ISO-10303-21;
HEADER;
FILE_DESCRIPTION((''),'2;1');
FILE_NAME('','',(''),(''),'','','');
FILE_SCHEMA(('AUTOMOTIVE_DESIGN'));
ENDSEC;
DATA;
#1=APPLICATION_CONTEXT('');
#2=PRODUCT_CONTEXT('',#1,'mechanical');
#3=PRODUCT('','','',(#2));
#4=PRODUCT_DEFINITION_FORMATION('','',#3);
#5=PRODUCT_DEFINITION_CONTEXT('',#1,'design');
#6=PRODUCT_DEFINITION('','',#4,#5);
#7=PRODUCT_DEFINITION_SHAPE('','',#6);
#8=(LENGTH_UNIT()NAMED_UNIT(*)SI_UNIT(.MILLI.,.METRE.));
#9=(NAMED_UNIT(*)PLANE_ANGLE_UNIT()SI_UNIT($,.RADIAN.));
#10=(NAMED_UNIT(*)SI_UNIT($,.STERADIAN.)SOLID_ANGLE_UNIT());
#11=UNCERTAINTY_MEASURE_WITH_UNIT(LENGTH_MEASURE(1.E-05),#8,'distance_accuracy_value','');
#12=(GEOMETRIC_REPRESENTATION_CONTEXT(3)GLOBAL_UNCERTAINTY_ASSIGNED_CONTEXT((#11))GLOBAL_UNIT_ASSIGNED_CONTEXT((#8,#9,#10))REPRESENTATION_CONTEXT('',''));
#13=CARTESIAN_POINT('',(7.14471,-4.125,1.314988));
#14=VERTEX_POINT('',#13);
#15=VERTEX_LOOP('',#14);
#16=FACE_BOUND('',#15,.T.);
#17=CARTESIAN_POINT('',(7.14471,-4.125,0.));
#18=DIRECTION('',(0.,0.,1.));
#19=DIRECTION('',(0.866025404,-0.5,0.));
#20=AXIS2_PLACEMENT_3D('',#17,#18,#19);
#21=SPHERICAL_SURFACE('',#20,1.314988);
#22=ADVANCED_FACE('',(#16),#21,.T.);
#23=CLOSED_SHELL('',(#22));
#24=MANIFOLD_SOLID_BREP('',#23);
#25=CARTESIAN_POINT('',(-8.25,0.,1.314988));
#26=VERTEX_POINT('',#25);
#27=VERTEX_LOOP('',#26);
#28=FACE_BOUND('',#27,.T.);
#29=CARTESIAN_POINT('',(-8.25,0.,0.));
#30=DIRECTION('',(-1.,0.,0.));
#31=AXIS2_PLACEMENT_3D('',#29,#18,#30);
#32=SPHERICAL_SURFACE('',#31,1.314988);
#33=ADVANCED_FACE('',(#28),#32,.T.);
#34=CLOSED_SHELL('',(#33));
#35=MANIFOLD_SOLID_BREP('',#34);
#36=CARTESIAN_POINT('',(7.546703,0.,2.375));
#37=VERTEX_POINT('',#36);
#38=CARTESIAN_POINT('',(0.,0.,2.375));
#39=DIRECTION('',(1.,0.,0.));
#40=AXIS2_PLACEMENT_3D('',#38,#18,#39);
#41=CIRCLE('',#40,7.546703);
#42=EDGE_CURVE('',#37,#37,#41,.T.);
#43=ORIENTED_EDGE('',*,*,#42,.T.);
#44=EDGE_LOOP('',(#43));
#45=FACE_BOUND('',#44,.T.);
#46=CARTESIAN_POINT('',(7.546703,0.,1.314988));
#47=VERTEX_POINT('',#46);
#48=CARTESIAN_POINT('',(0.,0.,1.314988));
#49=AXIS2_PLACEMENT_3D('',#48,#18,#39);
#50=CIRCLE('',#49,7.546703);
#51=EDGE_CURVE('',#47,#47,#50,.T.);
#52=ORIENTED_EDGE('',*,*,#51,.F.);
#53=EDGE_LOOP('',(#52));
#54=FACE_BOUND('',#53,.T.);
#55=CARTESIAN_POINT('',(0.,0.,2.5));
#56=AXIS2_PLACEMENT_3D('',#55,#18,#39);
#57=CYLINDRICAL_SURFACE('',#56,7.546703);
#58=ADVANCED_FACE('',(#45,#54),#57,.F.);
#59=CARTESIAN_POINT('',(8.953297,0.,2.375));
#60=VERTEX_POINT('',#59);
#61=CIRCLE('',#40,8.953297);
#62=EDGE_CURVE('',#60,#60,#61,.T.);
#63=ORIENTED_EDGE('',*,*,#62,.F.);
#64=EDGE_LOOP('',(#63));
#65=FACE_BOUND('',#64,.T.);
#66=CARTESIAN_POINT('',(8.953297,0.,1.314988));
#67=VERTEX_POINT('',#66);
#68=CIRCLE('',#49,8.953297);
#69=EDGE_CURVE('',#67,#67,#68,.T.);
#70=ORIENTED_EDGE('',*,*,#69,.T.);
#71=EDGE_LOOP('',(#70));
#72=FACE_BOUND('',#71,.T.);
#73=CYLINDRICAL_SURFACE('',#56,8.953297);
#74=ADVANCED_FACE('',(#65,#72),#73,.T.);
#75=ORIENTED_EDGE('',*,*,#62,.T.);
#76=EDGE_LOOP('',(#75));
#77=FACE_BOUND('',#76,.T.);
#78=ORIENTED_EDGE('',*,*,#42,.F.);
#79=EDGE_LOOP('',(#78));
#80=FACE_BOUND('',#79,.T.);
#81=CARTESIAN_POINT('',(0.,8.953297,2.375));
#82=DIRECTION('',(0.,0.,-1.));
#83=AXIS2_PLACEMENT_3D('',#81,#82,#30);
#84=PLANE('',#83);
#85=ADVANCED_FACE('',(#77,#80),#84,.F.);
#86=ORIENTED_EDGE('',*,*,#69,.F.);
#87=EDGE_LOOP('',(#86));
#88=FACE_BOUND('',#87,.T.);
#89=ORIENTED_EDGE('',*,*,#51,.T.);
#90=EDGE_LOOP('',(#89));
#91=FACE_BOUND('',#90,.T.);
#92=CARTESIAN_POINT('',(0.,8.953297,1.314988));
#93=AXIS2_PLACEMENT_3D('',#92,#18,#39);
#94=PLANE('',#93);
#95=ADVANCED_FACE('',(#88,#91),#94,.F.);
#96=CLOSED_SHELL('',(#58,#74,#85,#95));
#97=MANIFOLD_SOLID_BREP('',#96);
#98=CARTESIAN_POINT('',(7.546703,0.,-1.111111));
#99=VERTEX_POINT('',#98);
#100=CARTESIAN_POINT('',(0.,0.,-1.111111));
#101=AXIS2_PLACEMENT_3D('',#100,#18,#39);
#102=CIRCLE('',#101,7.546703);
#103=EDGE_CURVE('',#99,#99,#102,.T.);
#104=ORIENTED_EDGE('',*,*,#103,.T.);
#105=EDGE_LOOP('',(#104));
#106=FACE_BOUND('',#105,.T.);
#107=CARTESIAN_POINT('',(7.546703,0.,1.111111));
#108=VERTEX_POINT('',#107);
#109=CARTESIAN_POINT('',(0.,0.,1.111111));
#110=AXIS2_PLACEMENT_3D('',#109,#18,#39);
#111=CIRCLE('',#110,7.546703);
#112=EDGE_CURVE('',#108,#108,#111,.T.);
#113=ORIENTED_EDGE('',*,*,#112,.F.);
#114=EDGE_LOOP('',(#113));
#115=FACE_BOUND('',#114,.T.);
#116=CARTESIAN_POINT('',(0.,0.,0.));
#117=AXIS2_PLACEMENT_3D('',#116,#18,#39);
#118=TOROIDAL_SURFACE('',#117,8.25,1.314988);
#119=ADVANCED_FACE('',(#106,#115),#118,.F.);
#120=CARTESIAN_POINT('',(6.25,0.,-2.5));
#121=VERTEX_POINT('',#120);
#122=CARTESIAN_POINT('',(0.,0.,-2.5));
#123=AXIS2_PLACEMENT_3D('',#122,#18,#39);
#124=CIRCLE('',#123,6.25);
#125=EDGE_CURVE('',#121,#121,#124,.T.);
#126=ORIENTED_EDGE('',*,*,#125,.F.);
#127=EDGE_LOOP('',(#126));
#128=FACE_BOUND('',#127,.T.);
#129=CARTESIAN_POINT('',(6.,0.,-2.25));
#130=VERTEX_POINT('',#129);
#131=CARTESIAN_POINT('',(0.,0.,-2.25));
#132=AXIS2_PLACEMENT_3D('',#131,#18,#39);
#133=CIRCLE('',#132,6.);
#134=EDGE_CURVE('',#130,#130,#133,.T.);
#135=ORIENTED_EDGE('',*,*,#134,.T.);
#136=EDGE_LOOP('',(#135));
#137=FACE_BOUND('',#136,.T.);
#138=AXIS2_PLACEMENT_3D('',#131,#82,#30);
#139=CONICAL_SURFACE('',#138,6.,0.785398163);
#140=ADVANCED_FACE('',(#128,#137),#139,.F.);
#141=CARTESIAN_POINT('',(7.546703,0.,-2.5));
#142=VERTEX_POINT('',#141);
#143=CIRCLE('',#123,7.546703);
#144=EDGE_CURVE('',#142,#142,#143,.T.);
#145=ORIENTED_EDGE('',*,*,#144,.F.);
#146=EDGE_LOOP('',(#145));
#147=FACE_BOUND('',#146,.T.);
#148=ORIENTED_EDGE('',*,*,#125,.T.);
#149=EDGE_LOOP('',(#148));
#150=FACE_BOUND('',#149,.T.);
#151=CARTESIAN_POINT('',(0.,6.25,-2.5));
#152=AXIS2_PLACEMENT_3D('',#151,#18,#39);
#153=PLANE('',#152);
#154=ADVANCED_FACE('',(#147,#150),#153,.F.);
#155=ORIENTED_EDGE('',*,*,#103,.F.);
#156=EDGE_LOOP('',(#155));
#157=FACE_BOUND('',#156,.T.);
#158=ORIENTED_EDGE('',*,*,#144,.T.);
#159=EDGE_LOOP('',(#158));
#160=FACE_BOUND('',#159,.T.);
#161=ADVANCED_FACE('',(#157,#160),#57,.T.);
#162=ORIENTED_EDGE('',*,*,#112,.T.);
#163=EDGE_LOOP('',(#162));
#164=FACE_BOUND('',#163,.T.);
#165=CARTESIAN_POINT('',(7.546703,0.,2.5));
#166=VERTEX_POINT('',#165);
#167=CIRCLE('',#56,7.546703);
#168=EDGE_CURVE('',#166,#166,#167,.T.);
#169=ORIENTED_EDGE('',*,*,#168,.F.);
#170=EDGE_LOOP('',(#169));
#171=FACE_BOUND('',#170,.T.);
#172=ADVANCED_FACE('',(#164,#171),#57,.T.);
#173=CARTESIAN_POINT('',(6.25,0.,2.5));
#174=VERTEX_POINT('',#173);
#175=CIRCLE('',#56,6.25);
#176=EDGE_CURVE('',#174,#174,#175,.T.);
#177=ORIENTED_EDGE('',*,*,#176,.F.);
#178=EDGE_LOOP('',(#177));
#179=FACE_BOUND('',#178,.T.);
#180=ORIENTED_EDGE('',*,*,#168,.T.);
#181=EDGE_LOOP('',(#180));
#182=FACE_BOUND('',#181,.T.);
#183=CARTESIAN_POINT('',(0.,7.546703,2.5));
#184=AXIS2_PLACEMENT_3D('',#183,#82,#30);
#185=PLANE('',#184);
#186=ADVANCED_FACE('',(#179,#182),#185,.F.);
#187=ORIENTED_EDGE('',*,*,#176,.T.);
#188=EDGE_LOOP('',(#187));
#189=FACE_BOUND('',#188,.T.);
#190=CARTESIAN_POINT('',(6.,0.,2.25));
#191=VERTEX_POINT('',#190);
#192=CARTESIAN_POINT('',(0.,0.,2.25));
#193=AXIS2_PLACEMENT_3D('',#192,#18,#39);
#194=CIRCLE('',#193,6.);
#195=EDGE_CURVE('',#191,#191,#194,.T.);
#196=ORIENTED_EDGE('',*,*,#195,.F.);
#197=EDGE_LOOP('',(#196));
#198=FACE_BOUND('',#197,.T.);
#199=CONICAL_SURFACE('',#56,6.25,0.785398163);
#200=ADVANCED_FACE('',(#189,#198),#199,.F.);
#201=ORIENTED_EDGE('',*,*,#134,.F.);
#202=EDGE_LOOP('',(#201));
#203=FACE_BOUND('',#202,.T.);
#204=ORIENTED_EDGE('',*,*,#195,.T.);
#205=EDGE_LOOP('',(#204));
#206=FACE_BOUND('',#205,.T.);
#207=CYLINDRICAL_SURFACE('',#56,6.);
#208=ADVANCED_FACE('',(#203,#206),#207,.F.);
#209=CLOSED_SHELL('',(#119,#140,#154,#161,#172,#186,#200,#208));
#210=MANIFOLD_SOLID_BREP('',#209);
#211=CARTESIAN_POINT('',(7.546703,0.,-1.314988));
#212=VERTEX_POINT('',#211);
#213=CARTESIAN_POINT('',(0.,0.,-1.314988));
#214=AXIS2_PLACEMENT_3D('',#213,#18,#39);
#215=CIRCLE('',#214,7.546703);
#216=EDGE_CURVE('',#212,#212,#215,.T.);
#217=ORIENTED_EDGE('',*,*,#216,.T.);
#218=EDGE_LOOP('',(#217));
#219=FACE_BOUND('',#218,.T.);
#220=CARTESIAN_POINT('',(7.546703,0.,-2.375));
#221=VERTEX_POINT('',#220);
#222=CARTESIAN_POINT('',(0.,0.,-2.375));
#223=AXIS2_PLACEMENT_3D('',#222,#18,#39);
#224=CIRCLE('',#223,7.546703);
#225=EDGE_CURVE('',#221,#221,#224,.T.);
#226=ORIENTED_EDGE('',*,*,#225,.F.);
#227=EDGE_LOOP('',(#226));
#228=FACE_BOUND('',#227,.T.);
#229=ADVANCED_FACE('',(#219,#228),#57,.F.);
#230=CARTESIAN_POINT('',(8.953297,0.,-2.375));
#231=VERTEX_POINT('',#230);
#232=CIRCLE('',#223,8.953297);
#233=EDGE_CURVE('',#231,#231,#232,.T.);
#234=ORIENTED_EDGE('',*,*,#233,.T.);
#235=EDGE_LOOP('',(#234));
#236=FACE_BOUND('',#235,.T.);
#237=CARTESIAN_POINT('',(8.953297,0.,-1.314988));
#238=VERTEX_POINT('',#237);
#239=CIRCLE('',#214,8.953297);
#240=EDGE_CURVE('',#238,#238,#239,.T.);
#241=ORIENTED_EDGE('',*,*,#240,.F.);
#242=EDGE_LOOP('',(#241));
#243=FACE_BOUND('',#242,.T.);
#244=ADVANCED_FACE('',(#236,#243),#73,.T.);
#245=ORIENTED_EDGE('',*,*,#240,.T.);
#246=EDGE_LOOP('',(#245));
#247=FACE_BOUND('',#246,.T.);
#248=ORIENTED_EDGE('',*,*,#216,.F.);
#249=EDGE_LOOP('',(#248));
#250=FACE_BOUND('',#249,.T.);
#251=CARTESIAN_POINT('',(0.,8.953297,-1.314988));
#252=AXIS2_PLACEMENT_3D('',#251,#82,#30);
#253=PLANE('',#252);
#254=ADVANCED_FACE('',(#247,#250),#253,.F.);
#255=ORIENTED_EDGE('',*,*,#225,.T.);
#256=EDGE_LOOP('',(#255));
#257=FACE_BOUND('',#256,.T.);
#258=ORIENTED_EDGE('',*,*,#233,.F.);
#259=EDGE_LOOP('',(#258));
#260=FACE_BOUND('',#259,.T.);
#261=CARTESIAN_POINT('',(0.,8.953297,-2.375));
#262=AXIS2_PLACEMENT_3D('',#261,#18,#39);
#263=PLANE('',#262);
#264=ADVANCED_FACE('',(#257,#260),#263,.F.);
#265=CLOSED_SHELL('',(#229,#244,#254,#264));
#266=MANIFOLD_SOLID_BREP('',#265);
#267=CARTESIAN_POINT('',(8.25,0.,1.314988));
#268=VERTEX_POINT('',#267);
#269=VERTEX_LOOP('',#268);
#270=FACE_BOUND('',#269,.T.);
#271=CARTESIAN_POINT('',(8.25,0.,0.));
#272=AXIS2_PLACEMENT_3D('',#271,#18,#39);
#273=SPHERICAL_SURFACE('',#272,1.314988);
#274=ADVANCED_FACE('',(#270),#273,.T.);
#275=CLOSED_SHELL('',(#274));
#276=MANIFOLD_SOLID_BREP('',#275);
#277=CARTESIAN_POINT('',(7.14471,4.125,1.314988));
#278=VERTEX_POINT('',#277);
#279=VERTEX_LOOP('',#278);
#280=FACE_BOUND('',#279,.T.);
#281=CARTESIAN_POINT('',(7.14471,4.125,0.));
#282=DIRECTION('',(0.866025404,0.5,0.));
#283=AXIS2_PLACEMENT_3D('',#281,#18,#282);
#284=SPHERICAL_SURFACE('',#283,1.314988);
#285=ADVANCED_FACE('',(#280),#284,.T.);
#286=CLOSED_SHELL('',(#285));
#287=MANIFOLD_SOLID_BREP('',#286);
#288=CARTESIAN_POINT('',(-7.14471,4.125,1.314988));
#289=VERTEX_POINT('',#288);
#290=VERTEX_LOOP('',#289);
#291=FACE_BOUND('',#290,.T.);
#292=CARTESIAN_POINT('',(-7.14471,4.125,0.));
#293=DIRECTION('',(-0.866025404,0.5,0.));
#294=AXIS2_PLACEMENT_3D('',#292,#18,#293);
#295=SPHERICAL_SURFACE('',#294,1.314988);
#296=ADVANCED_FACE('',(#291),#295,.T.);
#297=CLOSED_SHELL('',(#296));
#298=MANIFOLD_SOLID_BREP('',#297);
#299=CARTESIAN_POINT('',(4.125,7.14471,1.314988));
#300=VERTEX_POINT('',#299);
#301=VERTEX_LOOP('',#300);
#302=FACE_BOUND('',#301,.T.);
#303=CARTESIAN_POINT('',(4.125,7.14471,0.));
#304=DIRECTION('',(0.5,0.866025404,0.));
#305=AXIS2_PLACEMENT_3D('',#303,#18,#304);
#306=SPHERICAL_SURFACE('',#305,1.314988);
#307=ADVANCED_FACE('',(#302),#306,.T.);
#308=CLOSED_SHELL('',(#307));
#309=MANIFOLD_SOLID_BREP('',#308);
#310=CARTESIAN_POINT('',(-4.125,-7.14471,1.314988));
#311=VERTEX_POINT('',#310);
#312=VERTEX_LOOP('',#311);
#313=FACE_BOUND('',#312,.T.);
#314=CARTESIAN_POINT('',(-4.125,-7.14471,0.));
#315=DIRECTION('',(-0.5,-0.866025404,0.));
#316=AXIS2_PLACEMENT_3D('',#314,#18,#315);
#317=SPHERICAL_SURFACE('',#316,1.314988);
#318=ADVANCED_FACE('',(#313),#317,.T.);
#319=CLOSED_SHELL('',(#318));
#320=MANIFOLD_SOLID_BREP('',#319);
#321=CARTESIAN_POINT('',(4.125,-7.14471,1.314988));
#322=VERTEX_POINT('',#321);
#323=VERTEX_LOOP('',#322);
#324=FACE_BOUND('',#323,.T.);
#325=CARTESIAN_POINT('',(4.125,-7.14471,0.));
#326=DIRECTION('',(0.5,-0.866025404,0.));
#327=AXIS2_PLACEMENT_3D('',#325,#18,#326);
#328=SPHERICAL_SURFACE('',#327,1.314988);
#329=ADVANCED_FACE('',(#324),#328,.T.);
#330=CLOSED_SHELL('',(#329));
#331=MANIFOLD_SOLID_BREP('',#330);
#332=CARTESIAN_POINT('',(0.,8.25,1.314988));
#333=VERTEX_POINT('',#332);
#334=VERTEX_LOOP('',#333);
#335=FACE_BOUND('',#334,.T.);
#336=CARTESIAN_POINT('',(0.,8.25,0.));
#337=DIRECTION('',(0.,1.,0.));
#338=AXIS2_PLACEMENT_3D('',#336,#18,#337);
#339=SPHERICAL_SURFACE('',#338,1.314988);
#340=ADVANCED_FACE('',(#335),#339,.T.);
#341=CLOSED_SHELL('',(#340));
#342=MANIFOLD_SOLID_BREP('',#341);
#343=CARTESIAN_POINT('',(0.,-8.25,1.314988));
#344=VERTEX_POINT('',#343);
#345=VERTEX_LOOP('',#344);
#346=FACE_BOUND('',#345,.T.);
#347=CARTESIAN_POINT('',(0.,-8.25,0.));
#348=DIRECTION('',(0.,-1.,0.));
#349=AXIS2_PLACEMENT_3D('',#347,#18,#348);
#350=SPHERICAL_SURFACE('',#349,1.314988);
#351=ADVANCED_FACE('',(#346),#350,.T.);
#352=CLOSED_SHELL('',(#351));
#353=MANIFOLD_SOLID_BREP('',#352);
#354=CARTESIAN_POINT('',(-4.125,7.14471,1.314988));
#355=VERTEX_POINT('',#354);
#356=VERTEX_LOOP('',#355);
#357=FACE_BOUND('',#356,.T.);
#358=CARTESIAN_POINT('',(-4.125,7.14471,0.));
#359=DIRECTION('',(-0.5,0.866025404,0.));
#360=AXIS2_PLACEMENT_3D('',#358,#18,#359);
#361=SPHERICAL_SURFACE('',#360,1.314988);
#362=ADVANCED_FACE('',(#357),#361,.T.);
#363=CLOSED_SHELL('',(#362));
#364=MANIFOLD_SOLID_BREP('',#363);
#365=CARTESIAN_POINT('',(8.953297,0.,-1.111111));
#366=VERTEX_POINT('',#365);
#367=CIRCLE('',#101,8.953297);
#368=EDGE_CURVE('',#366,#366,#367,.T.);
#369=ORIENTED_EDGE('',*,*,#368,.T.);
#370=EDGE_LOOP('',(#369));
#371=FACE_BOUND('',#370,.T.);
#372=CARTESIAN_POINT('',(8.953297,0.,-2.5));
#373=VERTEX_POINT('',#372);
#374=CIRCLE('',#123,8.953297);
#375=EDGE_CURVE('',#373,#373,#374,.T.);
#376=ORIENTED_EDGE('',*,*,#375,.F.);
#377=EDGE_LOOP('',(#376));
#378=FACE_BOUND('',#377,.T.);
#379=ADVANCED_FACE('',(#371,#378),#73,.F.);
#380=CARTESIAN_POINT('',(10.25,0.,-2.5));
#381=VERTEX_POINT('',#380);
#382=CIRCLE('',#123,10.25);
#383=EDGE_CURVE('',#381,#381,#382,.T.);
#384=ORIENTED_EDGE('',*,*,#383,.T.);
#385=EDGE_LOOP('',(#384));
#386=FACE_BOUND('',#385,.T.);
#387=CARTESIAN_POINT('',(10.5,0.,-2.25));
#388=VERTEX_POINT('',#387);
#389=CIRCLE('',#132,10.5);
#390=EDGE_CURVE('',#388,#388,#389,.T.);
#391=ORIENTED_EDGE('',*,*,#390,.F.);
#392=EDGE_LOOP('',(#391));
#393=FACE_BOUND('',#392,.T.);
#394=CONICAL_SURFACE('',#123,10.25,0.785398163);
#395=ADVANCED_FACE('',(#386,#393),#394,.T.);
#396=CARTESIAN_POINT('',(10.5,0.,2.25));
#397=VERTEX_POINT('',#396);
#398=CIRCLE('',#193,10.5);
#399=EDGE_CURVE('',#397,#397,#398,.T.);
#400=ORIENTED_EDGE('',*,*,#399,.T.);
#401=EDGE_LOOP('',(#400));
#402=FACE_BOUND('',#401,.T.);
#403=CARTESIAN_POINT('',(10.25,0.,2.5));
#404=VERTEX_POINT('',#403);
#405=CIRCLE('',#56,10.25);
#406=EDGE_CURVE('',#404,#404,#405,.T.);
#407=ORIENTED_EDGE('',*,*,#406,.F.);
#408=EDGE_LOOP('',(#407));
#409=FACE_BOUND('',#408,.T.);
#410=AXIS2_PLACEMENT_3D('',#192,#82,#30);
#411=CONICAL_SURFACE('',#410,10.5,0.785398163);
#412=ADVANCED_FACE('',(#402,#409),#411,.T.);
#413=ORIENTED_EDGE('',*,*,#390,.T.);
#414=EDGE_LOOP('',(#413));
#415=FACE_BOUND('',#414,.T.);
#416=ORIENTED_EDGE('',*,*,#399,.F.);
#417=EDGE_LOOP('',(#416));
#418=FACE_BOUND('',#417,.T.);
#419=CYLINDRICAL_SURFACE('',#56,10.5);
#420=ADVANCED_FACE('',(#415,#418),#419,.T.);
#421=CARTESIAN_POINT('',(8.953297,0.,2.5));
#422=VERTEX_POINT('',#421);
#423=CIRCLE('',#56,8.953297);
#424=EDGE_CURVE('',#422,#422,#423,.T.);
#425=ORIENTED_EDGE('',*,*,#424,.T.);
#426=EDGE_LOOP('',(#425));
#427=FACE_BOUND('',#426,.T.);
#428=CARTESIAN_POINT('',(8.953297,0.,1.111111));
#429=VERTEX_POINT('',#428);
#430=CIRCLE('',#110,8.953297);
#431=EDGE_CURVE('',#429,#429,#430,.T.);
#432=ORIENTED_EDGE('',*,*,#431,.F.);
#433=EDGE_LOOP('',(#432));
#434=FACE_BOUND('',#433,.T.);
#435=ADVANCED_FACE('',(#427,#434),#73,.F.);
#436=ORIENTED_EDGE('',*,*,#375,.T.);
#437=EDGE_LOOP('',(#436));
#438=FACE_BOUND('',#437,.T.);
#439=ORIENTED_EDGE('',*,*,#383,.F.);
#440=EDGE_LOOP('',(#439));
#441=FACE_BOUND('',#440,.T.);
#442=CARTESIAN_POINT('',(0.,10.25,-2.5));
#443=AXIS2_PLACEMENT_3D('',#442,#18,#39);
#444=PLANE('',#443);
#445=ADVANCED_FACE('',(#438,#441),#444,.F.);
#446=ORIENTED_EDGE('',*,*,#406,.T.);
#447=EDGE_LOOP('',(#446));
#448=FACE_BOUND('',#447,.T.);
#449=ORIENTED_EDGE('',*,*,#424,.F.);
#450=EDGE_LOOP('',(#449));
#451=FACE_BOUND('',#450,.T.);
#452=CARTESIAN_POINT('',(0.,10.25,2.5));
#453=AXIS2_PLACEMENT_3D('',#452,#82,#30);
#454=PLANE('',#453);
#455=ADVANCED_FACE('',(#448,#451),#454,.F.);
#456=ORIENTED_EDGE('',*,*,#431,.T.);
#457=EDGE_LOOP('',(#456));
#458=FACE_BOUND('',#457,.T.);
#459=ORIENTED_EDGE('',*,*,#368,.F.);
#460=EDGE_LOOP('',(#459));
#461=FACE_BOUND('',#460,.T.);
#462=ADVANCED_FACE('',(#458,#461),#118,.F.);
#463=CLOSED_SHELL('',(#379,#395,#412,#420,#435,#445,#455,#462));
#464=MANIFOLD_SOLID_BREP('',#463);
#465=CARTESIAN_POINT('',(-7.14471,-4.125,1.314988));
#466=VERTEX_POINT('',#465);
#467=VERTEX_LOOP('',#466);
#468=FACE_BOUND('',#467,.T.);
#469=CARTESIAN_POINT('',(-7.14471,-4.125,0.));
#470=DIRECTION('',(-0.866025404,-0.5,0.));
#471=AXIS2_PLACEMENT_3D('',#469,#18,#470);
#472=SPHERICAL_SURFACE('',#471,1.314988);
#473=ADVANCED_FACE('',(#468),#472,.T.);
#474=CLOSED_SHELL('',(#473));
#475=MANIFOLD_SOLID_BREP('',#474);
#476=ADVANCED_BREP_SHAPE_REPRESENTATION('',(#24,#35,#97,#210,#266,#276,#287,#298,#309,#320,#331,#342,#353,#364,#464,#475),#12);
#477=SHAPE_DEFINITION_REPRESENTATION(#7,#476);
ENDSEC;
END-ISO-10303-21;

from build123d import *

# Parameters (mm, degrees)
CIRPATTERN1_COUNT = 12
SKETCH5_W         = 1.060011729
SKETCH5_H         = 1.406593406


with BuildPart() as part:
    # Sketch1 → Revolve1 (revolve)
    with BuildSketch(Plane(origin=(0, 0, 0), x_dir=(0, 0, -1), z_dir=(1, 0, 0)), mode=Mode.PRIVATE) as revolve1_sk:
        with BuildLine():
            Line((2.25, 10.5), (-2.25, 10.5))
            Line((-2.25, 10.5), (-2.5, 10.25))
            Line((-2.5, 10.25), (-2.5, 8.953296703))
            Line((-2.5, 8.953296703), (-1.111111111, 8.953296703))
            ThreePointArc((-1.111111111, 8.953296703), (0, 9.564988271), (1.111111111, 8.953296703))
            Line((1.111111111, 8.953296703), (2.5, 8.953296703))
            Line((2.5, 8.953296703), (2.5, 10.25))
            Line((2.5, 10.25), (2.25, 10.5))
        make_face()
    revolve(revolve1_sk.sketch.rotate(Axis((0, 0, 2.5), (0, 0, -1)), 90), axis=Axis((0, 0, 2.5), (0, 0, -1)))


with BuildPart() as body_2:
    # Sketch3 → Revolve3 (revolve)
    with BuildSketch(Plane(origin=(0, 0, 0), x_dir=(0, 0, -1), z_dir=(1, 0, 0)), mode=Mode.PRIVATE) as revolve3_sk:
        with BuildLine():
            Line((-2.5, 7.546703297), (-1.111111111, 7.546703297))
            ThreePointArc((-1.111111111, 7.546703297), (0, 6.935011729), (1.111111111, 7.546703297))
            Line((1.111111111, 7.546703297), (2.5, 7.546703297))
            Line((2.5, 7.546703297), (2.5, 6.25))
            Line((2.5, 6.25), (2.25, 6))
            Line((2.25, 6), (-2.25, 6))
            Line((-2.25, 6), (-2.5, 6.25))
            Line((-2.5, 6.25), (-2.5, 7.546703297))
        make_face()
    revolve(revolve3_sk.sketch.rotate(Axis((0, 0, 2.5), (0, 0, -1)), 90), axis=Axis((0, 0, 2.5), (0, 0, -1)))


with BuildPart() as body_3:
    # Sketch4 → Revolve4 (revolve)
    with BuildSketch(Plane(origin=(0, 0, 0), x_dir=(0, 0, -1), z_dir=(1, 0, 0))):
        with BuildLine():
            Line((-1.314988271, 8.25), (1.314988271, 8.25))
            ThreePointArc((1.314988271, 8.25), (0, 9.564988271), (-1.314988271, 8.25))
        make_face()
    revolve(axis=Axis((0, 8.25, 1.314988271), (0, 0, -1)))


with BuildPart() as cirpattern1_1:
    # CirPattern1: pattern copy
    add(body_3.part.rotate(Axis((0, 0, 0), (0, 0, 1)), 1 * 360 / CIRPATTERN1_COUNT))


with BuildPart() as cirpattern1_2:
    # CirPattern1: pattern copy
    add(body_3.part.rotate(Axis((0, 0, 0), (0, 0, 1)), 2 * 360 / CIRPATTERN1_COUNT))


with BuildPart() as cirpattern1_3:
    # CirPattern1: pattern copy
    add(body_3.part.rotate(Axis((0, 0, 0), (0, 0, 1)), 3 * 360 / CIRPATTERN1_COUNT))


with BuildPart() as cirpattern1_4:
    # CirPattern1: pattern copy
    add(body_3.part.rotate(Axis((0, 0, 0), (0, 0, 1)), 4 * 360 / CIRPATTERN1_COUNT))


with BuildPart() as cirpattern1_5:
    # CirPattern1: pattern copy
    add(body_3.part.rotate(Axis((0, 0, 0), (0, 0, 1)), 5 * 360 / CIRPATTERN1_COUNT))


with BuildPart() as cirpattern1_6:
    # CirPattern1: pattern copy
    add(body_3.part.rotate(Axis((0, 0, 0), (0, 0, 1)), 6 * 360 / CIRPATTERN1_COUNT))


with BuildPart() as cirpattern1_7:
    # CirPattern1: pattern copy
    add(body_3.part.rotate(Axis((0, 0, 0), (0, 0, 1)), 7 * 360 / CIRPATTERN1_COUNT))


with BuildPart() as cirpattern1_8:
    # CirPattern1: pattern copy
    add(body_3.part.rotate(Axis((0, 0, 0), (0, 0, 1)), 8 * 360 / CIRPATTERN1_COUNT))


with BuildPart() as cirpattern1_9:
    # CirPattern1: pattern copy
    add(body_3.part.rotate(Axis((0, 0, 0), (0, 0, 1)), 9 * 360 / CIRPATTERN1_COUNT))


with BuildPart() as cirpattern1_10:
    # CirPattern1: pattern copy
    add(body_3.part.rotate(Axis((0, 0, 0), (0, 0, 1)), 10 * 360 / CIRPATTERN1_COUNT))


with BuildPart() as cirpattern1_11:
    # CirPattern1: pattern copy
    add(body_3.part.rotate(Axis((0, 0, 0), (0, 0, 1)), 11 * 360 / CIRPATTERN1_COUNT))


with BuildPart() as body_15:
    # Sketch5 → Revolve5 (revolve)
    with BuildSketch(Plane(origin=(0, 0, 0), x_dir=(0, 0, -1), z_dir=(1, 0, 0)), mode=Mode.PRIVATE) as revolve5_sk:
        with Locations((-1.844994135, 8.25)):
            Rectangle(SKETCH5_W, SKETCH5_H)
        with Locations((1.844994135, 8.25)):
            Rectangle(SKETCH5_W, SKETCH5_H)
    revolve(revolve5_sk.sketch.rotate(Axis((0, 0, 2.5), (0, 0, -1)), 90), axis=Axis((0, 0, 2.5), (0, 0, -1)))


solid = Compound([part.part, body_2.part, body_3.part, cirpattern1_1.part, cirpattern1_2.part, cirpattern1_3.part, cirpattern1_4.part, cirpattern1_5.part, cirpattern1_6.part, cirpattern1_7.part, cirpattern1_8.part, cirpattern1_9.part, cirpattern1_10.part, cirpattern1_11.part, body_15.part])
